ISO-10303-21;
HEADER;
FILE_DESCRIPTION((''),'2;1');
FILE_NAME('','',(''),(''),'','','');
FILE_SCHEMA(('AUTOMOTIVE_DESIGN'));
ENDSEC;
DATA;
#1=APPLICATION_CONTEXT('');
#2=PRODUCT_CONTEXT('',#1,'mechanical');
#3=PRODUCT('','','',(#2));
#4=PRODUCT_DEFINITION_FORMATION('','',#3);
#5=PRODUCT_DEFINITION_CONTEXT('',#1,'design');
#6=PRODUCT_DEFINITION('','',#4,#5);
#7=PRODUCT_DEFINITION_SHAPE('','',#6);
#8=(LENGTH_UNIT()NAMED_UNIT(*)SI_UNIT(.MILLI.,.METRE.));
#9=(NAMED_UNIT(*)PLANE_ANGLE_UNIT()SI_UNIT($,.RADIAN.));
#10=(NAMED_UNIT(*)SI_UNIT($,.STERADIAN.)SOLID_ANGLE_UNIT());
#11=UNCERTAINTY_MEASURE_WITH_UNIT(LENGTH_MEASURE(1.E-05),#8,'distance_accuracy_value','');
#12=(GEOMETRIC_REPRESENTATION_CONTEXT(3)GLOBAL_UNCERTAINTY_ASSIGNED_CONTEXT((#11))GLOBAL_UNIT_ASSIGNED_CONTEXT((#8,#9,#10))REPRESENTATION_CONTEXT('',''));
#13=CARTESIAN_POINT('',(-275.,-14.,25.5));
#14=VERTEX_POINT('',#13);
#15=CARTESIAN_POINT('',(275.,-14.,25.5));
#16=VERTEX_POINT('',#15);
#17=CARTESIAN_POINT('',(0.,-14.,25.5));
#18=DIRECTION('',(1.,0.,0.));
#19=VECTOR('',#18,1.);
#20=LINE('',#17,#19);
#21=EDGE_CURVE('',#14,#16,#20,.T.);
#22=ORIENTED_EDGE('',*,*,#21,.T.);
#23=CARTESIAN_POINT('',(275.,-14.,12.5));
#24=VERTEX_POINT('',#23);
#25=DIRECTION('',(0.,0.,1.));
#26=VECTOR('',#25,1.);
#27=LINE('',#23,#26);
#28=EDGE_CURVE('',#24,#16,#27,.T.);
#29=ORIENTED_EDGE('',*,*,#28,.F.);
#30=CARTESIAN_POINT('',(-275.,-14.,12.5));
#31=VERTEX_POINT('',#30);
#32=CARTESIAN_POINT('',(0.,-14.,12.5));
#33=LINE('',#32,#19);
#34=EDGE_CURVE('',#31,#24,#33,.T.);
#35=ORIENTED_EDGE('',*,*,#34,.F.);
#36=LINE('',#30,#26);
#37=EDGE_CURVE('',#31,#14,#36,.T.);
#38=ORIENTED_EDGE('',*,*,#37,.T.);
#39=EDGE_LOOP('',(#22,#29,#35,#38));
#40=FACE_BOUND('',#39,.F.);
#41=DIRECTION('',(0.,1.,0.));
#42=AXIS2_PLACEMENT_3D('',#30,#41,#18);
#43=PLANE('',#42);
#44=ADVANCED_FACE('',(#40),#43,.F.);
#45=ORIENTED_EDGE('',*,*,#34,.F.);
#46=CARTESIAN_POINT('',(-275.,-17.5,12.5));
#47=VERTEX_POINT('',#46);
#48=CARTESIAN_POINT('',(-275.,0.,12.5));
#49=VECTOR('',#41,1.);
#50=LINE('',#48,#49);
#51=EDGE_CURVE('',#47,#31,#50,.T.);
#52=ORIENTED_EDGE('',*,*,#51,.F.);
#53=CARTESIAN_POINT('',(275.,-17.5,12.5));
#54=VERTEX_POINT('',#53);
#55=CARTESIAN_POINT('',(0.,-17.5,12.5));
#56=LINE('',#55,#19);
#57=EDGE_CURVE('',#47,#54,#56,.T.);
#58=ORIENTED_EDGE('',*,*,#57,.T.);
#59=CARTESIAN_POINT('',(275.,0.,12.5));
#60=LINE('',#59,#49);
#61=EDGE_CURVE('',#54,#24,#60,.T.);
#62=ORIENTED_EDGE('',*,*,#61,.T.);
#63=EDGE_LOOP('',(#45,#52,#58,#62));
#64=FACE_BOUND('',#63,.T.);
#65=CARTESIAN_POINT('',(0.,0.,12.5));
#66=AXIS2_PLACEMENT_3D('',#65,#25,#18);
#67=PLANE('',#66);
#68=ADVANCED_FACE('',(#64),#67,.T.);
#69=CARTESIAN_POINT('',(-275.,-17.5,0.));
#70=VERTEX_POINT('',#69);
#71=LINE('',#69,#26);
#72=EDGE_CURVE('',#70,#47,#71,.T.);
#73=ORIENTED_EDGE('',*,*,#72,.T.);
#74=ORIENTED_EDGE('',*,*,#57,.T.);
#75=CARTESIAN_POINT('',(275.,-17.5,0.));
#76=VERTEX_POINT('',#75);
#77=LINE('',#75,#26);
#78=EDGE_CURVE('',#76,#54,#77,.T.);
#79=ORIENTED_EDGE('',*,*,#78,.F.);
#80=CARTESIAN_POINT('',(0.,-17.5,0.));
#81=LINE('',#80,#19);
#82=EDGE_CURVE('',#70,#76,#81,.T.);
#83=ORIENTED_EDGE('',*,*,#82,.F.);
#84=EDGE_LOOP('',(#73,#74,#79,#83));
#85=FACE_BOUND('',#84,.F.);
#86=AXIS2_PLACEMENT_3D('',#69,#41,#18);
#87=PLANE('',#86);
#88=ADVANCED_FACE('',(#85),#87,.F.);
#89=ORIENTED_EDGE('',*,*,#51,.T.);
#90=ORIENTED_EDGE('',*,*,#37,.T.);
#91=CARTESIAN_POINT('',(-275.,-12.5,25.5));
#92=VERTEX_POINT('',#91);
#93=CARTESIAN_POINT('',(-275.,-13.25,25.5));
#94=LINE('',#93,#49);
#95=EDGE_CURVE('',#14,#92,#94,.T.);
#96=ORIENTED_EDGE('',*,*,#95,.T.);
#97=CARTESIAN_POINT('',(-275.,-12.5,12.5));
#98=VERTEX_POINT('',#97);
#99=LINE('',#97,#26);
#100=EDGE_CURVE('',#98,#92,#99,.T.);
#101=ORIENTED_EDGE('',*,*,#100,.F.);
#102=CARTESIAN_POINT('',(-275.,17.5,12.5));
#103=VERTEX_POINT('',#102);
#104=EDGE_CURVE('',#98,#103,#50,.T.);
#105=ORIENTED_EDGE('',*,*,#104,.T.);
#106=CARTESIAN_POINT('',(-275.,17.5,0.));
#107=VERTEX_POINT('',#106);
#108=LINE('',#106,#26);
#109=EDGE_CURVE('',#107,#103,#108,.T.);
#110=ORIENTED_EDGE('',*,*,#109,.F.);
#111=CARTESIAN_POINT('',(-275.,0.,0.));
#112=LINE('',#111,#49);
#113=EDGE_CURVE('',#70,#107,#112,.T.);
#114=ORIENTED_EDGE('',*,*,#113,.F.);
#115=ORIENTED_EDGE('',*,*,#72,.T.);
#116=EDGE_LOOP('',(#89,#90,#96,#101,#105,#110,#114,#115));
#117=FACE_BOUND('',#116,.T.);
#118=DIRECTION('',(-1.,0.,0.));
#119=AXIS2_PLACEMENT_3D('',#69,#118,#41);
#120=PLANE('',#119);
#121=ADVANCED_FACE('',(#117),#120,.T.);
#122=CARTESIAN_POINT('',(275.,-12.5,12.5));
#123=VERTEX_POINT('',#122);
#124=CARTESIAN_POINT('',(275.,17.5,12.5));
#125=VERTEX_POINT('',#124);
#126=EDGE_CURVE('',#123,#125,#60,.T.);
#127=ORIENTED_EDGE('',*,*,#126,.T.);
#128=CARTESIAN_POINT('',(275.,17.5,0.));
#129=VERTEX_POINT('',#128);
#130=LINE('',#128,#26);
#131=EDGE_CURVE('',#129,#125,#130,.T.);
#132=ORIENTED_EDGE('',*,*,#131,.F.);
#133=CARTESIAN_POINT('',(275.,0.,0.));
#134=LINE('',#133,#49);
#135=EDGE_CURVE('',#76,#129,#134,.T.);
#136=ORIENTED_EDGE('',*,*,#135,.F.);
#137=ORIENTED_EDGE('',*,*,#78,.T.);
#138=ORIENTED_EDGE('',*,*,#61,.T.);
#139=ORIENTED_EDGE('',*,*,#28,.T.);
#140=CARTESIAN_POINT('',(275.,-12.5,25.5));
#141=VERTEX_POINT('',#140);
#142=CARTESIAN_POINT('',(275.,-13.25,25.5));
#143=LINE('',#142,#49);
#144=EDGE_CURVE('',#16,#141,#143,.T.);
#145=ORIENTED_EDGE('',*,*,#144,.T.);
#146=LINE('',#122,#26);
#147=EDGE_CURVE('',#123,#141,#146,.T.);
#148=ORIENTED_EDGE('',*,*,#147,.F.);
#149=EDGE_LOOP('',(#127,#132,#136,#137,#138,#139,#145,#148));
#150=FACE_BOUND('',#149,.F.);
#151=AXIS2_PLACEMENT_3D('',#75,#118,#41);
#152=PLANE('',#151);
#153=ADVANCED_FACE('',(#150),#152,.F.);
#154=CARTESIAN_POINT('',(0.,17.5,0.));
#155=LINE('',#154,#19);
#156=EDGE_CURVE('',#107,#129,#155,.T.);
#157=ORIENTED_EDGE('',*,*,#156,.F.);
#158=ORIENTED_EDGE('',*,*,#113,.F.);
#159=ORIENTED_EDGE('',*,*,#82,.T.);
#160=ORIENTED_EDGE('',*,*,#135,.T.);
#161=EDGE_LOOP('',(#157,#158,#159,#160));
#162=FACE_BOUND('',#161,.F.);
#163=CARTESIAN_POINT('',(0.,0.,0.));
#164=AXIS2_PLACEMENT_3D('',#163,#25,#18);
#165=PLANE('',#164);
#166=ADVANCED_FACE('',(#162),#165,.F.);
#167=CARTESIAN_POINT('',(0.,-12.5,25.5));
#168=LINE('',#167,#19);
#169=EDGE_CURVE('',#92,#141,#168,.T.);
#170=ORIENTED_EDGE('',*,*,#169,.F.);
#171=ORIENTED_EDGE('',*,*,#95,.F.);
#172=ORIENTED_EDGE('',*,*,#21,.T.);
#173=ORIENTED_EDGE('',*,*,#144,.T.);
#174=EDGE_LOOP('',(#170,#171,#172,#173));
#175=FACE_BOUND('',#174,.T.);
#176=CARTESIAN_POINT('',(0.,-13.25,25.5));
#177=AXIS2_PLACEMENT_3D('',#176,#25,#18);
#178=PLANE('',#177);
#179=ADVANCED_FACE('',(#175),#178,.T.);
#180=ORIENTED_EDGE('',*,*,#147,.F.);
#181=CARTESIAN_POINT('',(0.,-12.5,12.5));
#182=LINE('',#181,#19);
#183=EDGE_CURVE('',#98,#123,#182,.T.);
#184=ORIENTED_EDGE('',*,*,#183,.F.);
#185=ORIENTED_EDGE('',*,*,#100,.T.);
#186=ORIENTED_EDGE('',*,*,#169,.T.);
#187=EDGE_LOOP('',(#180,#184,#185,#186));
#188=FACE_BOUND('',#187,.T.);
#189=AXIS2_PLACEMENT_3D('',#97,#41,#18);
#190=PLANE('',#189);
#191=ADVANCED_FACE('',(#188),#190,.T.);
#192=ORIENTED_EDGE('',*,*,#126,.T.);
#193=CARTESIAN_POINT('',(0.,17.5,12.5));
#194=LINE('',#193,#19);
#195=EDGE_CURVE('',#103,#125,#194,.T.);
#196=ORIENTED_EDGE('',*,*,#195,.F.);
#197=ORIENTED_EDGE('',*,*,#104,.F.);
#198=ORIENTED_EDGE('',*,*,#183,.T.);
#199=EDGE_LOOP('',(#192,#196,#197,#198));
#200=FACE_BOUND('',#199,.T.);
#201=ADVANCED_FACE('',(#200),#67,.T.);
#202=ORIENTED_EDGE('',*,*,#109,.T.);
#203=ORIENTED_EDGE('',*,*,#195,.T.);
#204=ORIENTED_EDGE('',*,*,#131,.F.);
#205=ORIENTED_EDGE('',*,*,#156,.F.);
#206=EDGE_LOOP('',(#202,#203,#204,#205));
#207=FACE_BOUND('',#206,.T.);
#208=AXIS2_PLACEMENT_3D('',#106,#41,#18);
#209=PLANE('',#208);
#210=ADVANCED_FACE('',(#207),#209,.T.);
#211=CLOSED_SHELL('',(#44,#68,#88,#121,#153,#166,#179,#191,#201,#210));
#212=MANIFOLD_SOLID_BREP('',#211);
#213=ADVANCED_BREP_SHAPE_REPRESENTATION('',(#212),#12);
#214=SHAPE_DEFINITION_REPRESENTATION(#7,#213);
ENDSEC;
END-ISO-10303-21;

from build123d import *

# Parameters (mm, degrees)
SKETCH_W     = 550
SKETCH_H     = 35
PAD_DEPTH    = 12.5
SKETCH001_W  = 550
SKETCH001_H  = 1.5
PAD001_DEPTH = 13


with BuildPart() as part:
    # Sketch → Pad (new body)
    with BuildSketch(Plane.XY):
        Rectangle(SKETCH_W, SKETCH_H)
    extrude(amount=PAD_DEPTH)

    # Sketch001 (on Face6 of Pad) → Pad001 (join)
    with BuildSketch(Plane.XY.offset(12.5)):
        with Locations((0, -13.25)):
            Rectangle(SKETCH001_W, SKETCH001_H)
    extrude(amount=PAD001_DEPTH)


solid = part.part
